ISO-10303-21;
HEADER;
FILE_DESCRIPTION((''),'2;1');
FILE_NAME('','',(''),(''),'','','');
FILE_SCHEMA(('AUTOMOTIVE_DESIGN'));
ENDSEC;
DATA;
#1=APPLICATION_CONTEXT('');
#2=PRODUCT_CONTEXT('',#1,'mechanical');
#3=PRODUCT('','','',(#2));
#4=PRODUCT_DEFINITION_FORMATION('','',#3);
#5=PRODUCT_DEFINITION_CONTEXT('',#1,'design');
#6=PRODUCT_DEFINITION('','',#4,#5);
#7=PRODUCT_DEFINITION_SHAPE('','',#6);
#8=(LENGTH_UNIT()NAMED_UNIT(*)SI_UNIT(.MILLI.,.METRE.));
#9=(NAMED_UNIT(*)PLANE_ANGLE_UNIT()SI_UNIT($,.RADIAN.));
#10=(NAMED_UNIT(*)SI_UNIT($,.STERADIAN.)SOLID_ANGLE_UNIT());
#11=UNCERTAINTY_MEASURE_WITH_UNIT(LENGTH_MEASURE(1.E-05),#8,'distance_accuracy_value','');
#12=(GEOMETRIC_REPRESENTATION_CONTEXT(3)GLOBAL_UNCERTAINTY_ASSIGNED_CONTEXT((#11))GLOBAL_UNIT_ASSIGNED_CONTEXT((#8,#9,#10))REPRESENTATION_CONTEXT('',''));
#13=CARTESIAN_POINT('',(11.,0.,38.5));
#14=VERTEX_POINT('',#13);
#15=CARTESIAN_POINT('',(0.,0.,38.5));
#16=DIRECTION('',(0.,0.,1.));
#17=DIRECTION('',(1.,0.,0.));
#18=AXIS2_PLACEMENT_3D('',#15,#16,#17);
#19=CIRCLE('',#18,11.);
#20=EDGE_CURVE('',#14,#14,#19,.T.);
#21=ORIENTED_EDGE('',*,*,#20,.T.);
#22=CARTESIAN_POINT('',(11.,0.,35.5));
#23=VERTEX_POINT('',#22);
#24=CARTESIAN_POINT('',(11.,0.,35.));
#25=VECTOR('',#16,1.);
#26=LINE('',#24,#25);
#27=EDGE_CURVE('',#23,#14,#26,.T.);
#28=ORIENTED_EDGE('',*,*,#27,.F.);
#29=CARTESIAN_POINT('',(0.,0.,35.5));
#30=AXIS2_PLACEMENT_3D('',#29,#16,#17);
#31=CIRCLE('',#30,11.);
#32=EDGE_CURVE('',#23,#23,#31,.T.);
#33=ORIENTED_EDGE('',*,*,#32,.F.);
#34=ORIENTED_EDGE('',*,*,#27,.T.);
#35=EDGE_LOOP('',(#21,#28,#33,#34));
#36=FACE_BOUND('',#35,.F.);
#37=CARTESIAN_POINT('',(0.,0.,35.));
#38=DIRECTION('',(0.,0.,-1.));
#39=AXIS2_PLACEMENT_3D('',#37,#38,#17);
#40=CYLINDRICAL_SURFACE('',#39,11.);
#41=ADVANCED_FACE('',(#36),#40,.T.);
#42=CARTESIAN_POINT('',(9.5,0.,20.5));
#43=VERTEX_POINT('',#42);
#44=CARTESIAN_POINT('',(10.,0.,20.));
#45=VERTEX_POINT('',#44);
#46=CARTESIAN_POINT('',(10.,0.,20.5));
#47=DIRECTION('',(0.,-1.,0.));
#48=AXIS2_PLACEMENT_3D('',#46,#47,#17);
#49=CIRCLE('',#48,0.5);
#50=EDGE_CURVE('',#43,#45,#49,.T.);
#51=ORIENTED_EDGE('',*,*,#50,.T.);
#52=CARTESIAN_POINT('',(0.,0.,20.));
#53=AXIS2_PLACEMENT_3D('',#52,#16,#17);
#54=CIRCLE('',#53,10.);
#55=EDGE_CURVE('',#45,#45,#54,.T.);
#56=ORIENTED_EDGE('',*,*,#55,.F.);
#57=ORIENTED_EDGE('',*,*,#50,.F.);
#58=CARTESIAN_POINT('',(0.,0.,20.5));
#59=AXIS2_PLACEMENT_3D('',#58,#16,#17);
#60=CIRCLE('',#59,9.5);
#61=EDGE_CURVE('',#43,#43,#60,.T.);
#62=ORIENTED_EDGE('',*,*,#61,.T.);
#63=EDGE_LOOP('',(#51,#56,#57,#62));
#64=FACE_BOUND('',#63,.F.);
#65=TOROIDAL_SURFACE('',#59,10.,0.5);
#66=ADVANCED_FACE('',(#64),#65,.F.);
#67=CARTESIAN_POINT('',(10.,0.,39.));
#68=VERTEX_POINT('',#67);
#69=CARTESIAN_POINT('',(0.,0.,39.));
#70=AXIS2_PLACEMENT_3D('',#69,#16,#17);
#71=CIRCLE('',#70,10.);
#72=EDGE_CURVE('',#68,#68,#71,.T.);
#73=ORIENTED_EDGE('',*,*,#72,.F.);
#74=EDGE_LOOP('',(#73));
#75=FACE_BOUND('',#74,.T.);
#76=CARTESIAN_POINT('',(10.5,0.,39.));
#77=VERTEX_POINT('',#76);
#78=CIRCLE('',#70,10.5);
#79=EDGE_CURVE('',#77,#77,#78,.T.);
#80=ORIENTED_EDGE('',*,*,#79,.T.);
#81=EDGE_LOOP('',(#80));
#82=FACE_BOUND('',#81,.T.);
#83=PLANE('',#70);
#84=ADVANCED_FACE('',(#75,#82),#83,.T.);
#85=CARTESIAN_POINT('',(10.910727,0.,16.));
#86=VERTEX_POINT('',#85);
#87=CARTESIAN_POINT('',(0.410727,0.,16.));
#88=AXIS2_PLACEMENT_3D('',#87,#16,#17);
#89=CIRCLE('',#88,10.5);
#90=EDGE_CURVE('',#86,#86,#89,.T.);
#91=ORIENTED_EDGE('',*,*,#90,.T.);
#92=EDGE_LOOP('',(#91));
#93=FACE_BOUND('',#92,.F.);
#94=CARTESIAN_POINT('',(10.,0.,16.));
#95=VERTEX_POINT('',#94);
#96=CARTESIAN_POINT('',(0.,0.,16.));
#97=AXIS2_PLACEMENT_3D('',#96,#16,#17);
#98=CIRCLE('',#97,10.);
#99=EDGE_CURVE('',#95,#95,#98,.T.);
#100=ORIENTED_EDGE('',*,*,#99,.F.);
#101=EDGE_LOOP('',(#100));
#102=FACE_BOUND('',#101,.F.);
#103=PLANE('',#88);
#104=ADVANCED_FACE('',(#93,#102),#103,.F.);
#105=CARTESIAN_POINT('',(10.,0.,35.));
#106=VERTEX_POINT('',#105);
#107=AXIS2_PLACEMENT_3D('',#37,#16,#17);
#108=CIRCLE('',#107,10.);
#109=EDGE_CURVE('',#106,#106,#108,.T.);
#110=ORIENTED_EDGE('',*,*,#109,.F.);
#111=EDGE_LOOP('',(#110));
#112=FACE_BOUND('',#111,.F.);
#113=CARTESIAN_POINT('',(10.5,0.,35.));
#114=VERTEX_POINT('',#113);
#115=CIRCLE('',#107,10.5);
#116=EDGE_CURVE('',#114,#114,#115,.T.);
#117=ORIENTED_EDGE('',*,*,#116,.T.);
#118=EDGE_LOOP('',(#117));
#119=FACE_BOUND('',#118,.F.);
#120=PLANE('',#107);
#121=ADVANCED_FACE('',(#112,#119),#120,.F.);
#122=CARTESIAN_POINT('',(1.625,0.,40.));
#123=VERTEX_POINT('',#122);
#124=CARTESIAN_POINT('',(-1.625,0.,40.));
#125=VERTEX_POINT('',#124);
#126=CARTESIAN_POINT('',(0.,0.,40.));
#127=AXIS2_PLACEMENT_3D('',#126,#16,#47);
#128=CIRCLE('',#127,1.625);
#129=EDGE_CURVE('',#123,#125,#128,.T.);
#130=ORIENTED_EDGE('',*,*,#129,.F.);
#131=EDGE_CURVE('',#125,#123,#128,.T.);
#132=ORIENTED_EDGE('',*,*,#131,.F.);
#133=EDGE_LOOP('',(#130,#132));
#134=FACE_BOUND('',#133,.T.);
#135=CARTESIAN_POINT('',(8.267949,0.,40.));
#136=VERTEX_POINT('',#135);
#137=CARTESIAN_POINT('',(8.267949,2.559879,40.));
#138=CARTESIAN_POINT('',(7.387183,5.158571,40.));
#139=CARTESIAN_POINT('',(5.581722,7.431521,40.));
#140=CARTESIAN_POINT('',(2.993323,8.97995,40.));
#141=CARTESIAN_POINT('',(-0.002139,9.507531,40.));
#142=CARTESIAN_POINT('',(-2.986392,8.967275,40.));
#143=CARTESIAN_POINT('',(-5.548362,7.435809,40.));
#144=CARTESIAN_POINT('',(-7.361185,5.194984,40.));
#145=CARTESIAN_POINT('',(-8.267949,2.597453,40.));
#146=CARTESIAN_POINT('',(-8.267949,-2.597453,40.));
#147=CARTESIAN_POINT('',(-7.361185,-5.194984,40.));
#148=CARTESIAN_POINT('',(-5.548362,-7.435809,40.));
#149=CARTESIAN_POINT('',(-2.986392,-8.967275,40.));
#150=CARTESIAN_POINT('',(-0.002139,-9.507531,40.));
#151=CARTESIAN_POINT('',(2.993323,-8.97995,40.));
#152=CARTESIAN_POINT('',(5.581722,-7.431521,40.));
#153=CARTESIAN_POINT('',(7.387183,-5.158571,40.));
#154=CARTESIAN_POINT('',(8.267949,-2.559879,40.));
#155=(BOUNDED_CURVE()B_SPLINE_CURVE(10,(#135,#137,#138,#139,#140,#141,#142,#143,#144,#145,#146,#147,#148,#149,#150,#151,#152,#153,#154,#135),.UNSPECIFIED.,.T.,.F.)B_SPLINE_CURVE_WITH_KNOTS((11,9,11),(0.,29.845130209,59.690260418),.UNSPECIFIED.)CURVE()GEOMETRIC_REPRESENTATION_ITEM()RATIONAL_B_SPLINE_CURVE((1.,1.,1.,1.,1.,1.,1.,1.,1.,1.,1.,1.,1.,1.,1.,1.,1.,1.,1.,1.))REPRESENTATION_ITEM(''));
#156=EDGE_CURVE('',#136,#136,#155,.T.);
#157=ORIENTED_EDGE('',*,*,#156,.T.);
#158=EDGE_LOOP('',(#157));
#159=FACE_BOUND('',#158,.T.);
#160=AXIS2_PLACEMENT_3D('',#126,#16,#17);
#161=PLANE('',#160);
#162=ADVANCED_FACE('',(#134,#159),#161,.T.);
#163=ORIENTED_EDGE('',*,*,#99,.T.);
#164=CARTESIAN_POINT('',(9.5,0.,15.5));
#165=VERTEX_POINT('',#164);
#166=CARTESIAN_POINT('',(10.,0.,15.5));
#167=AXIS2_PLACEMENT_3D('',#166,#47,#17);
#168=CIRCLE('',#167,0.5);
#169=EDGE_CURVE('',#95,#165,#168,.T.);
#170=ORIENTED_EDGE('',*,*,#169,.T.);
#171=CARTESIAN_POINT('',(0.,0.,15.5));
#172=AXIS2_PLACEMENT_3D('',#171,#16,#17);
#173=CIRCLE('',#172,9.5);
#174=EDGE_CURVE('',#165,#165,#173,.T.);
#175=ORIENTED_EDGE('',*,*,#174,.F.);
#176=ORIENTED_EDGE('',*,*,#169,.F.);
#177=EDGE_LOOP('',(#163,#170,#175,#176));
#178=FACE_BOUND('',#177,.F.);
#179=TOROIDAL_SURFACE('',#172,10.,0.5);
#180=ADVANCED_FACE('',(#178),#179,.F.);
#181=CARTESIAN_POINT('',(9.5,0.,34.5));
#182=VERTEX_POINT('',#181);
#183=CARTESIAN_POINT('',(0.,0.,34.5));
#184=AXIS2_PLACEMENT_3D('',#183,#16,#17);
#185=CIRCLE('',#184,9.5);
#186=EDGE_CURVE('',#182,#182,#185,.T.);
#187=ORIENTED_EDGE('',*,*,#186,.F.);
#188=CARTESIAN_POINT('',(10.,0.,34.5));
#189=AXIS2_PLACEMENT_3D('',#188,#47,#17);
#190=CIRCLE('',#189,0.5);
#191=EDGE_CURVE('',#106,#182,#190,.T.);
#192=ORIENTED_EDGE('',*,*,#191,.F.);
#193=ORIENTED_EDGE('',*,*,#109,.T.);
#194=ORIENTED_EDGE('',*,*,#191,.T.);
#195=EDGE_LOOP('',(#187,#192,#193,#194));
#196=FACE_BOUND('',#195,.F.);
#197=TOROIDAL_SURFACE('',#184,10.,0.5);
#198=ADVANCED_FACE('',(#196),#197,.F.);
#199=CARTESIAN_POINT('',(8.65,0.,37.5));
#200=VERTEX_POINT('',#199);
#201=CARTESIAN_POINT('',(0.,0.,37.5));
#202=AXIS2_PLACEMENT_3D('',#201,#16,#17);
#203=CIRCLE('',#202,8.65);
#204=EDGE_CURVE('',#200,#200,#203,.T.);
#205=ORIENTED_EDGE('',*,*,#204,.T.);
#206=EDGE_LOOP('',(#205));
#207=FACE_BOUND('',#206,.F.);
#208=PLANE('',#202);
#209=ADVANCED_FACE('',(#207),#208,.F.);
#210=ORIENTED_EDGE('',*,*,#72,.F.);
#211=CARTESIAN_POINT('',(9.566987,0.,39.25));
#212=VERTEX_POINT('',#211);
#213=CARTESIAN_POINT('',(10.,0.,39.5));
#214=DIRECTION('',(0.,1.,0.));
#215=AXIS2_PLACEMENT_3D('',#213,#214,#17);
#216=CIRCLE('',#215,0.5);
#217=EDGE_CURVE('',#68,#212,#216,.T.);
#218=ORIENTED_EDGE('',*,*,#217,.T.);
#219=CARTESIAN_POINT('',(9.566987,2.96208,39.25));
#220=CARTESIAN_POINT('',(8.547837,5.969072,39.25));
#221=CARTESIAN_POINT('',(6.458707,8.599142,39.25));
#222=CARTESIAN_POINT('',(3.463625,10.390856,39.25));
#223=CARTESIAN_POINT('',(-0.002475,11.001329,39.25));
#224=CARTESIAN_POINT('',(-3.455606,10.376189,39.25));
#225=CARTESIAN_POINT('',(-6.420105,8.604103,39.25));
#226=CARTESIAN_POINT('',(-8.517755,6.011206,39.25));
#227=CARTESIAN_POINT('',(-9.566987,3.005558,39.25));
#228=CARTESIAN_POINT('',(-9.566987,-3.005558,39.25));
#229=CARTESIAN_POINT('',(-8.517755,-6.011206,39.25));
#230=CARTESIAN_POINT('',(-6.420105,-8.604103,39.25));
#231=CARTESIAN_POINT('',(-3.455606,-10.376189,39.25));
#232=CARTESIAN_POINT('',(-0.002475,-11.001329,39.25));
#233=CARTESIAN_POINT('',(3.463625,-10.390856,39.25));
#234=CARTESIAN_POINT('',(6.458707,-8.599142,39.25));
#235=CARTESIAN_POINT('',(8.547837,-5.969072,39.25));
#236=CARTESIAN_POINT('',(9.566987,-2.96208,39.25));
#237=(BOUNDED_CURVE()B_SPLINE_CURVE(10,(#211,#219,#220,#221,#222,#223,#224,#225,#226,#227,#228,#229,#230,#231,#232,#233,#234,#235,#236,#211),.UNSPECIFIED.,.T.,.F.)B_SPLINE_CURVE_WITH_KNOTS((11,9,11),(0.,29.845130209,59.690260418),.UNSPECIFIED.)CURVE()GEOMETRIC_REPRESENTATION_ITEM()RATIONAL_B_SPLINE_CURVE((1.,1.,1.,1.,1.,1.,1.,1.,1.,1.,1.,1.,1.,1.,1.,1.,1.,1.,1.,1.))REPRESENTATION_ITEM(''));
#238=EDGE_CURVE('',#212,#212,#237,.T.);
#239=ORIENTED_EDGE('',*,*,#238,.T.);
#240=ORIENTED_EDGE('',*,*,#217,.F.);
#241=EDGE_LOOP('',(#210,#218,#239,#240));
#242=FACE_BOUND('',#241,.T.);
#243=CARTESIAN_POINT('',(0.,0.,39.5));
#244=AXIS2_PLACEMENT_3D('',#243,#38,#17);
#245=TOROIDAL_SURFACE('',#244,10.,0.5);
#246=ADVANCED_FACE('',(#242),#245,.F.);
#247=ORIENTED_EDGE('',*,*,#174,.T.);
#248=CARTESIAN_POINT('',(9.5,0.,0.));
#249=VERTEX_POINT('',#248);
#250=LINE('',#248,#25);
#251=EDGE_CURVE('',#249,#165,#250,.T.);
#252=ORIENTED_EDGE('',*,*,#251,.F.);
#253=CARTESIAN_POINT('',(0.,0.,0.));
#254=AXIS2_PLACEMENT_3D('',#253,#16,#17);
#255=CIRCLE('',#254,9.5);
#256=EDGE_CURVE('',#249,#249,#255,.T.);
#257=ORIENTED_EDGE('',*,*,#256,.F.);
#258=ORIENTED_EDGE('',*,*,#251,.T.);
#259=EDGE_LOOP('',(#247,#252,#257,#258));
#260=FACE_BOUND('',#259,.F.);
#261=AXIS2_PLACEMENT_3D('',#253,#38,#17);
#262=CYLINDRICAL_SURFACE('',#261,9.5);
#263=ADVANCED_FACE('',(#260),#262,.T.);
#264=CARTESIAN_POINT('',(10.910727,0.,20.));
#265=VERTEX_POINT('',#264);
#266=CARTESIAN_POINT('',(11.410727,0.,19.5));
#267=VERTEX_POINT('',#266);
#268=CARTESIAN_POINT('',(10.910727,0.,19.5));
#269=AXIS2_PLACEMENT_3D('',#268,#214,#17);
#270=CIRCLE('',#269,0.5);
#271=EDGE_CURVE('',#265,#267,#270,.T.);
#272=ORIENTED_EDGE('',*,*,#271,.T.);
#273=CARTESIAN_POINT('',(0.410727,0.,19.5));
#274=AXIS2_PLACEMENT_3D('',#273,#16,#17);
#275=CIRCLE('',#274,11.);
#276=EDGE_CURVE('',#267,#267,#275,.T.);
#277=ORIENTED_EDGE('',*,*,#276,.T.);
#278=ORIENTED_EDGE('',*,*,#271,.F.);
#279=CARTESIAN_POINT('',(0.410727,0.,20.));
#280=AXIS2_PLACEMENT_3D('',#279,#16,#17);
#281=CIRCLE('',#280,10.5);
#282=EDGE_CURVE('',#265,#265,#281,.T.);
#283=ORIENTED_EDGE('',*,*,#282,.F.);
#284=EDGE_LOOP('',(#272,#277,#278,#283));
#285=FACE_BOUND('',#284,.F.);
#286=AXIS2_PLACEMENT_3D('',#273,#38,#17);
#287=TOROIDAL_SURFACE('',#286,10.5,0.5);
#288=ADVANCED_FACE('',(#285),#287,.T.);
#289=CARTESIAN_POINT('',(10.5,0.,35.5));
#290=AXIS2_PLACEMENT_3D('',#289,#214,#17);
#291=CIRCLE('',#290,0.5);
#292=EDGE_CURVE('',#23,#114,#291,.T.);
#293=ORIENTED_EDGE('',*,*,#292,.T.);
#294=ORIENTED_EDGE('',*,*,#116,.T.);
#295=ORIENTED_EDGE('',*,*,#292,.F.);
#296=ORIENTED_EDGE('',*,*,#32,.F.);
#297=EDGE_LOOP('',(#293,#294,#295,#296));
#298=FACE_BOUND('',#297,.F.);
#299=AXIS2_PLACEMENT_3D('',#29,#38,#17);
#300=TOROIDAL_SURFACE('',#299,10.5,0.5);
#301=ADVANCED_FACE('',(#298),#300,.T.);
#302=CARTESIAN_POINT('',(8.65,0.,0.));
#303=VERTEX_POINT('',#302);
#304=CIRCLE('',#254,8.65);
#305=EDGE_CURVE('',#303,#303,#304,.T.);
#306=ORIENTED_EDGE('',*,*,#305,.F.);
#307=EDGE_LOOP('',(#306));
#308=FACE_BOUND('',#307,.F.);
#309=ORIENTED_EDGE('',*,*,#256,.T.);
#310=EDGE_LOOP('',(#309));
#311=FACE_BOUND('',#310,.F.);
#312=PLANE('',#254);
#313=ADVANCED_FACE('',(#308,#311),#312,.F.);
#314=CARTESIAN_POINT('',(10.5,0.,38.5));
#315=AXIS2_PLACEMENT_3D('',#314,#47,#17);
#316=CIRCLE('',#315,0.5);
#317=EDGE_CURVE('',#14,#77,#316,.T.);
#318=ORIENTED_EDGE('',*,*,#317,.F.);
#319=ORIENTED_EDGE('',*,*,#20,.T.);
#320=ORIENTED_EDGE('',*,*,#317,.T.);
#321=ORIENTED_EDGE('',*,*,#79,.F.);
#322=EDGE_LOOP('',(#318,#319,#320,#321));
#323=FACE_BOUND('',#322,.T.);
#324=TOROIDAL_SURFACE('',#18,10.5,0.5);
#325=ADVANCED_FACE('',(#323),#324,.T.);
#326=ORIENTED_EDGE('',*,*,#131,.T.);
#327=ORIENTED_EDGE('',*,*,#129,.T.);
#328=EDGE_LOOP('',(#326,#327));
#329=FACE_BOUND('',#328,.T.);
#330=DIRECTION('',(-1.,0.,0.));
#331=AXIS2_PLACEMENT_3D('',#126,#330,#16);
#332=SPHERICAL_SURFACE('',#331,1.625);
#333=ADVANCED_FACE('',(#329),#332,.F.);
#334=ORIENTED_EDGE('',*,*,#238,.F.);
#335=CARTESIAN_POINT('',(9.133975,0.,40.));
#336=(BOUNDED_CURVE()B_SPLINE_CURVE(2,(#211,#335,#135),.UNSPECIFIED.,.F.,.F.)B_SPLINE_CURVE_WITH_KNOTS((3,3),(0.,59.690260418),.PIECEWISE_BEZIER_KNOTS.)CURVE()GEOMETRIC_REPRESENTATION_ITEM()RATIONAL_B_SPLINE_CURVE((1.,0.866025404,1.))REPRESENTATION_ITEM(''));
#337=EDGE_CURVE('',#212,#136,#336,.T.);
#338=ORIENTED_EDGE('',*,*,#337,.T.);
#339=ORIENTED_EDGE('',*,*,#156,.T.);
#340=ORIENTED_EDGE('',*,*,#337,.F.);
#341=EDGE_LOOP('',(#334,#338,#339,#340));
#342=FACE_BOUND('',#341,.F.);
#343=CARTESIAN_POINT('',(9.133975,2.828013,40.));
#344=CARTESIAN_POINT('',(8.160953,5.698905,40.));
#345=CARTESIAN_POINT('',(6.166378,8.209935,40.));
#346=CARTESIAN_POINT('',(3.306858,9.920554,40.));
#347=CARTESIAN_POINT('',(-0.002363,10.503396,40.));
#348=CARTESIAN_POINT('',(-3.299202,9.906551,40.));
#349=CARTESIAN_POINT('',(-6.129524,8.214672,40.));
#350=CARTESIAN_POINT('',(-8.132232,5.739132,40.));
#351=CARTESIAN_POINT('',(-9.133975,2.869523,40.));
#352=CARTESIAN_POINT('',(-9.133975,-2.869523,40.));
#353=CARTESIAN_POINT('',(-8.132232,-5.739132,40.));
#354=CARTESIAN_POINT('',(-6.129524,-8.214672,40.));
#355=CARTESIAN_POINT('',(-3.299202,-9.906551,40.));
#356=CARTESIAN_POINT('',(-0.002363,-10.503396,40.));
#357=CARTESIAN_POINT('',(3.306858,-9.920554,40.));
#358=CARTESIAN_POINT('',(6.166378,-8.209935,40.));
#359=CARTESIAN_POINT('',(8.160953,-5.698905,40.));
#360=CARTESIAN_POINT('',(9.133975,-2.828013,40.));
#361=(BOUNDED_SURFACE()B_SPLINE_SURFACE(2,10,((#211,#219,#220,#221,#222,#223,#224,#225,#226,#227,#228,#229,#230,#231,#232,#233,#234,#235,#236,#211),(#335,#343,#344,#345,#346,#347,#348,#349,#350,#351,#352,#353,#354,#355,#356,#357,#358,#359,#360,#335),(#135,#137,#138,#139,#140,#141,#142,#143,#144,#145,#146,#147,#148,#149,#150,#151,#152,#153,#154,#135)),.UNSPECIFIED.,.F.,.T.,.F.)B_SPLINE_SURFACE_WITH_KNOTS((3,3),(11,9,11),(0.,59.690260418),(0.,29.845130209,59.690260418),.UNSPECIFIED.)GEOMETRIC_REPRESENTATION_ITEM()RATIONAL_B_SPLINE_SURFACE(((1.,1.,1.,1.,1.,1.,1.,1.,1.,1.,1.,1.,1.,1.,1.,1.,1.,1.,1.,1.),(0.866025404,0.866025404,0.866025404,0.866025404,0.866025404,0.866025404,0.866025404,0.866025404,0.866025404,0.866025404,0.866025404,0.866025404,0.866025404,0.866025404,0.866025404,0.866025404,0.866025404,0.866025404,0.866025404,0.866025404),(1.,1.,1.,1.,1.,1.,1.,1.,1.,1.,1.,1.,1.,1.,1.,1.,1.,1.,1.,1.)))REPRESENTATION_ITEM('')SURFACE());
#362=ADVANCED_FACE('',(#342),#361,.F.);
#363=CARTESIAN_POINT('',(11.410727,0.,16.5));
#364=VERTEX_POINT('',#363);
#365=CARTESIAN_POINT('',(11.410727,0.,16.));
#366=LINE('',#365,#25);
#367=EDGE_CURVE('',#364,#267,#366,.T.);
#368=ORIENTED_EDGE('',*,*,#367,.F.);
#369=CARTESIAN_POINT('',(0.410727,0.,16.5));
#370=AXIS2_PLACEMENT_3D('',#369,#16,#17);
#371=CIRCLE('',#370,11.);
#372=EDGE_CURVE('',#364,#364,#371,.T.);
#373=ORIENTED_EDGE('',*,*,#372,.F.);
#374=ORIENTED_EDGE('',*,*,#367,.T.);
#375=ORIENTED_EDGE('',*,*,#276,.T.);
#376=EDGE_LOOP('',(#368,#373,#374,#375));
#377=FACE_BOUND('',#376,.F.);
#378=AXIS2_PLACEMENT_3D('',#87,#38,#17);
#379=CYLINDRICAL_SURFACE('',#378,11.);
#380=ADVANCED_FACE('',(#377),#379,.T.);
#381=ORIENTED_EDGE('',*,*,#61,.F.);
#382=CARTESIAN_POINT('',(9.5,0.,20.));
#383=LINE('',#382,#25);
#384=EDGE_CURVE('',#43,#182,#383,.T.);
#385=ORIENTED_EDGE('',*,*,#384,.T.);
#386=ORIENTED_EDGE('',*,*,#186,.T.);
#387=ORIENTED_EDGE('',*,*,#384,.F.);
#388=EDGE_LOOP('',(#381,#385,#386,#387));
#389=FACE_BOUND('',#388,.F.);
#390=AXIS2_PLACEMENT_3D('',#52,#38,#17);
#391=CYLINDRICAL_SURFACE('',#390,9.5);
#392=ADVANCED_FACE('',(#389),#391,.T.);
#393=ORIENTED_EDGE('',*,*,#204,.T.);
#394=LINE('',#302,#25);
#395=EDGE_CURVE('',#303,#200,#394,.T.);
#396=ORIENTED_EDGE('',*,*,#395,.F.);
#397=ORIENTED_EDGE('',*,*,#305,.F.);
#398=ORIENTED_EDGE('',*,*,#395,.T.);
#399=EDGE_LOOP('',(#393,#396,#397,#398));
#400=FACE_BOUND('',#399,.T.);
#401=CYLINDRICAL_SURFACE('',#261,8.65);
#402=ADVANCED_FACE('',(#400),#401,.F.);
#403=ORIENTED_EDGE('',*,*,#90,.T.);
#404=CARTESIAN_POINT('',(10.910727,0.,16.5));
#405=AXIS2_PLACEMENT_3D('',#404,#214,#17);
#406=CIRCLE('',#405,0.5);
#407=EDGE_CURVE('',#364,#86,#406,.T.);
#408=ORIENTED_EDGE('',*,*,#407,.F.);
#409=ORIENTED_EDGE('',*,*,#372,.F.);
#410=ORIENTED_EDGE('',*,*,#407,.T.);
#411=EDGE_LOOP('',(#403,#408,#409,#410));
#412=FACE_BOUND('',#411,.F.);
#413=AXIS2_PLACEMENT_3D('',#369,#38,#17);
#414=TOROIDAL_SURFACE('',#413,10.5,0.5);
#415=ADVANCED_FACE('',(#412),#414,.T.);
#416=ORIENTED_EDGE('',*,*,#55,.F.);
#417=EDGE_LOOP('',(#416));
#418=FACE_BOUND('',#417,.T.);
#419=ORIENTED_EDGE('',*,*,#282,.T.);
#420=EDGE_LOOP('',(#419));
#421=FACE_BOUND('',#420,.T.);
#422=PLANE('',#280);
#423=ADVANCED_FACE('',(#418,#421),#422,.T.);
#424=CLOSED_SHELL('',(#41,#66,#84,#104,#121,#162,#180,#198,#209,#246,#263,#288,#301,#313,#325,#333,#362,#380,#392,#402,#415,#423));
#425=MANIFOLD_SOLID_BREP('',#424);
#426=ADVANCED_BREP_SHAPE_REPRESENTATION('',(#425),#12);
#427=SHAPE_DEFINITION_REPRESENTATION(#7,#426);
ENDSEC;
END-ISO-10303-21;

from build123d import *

# Parameters (mm, degrees)
F0_R      = 9.5
F2_DEPTH  = 16
F3_R      = 11
F4_DEPTH  = 4
F5_R      = 9.5
F6_DEPTH  = 15
F7_R      = 11
F8_DEPTH  = 4
F9_R      = 9.5
F10_DEPTH = 1
F11_R     = 0.5
F12_R     = 1.5
F1_R      = 8.65
F13_DEPTH = 37.5


with BuildPart() as f2:
    # F0 (on Top) → F2 (new body)
    with BuildSketch(Plane.XY):
        Circle(F0_R)
    extrude(amount=F2_DEPTH)

    # F3 (on face) → F4 (join)
    with BuildSketch(Plane.XY.offset(16)):
        with Locations((0.4107271394, 0)):
            Circle(F3_R)
    extrude(amount=F4_DEPTH)

    # F5 (on face) → F6 (join)
    with BuildSketch(Plane.XY.offset(20)):
        Circle(F5_R)
    extrude(amount=F6_DEPTH)

    # F7 (on face) → F8 (join)
    with BuildSketch(Plane.XY.offset(35)):
        Circle(F7_R)
    extrude(amount=F8_DEPTH)

    # F9 (on face) → F10 (join)
    with BuildSketch(Plane.XY.offset(39)):
        Circle(F9_R)
    extrude(amount=F10_DEPTH)

    # F11
    f11_edges = [f2.edges().sort_by_distance(p)[0] for p in [
        (-9.5, 0, 16),
        (-10.589273, 0, 16),
        (-10.589273, 0, 20),
        (-9.5, 0, 20),
        (-9.5, 0, 35),
        (-11, 0, 35),
        (-11, 0, 39),
        (-9.5, 0, 39),
    ]]
    fillet(f11_edges, radius=F11_R)

    # F12
    f12_edges = [f2.edges().sort_by_distance(p)[0] for p in [
        (-9.5, 0, 40),
    ]]
    fillet(f12_edges, radius=F12_R)

    # F1 (on face) → F13 (cut)
    with BuildSketch(Plane.XY):
        Circle(F1_R)
    extrude(amount=F13_DEPTH, mode=Mode.SUBTRACT)

    # F14 (on Front) → F15 (revolve, cut)
    with BuildSketch(Plane.XZ):
        with BuildLine():
            Line((-1.625, 40), (1.625, 40))
            ThreePointArc((1.625, 40), (0, 41.625), (-1.625, 40))
        make_face()
    revolve(axis=Axis((0.0630789436, 0, 40), (1, 0, 0)), mode=Mode.SUBTRACT)


solid = f2.part
